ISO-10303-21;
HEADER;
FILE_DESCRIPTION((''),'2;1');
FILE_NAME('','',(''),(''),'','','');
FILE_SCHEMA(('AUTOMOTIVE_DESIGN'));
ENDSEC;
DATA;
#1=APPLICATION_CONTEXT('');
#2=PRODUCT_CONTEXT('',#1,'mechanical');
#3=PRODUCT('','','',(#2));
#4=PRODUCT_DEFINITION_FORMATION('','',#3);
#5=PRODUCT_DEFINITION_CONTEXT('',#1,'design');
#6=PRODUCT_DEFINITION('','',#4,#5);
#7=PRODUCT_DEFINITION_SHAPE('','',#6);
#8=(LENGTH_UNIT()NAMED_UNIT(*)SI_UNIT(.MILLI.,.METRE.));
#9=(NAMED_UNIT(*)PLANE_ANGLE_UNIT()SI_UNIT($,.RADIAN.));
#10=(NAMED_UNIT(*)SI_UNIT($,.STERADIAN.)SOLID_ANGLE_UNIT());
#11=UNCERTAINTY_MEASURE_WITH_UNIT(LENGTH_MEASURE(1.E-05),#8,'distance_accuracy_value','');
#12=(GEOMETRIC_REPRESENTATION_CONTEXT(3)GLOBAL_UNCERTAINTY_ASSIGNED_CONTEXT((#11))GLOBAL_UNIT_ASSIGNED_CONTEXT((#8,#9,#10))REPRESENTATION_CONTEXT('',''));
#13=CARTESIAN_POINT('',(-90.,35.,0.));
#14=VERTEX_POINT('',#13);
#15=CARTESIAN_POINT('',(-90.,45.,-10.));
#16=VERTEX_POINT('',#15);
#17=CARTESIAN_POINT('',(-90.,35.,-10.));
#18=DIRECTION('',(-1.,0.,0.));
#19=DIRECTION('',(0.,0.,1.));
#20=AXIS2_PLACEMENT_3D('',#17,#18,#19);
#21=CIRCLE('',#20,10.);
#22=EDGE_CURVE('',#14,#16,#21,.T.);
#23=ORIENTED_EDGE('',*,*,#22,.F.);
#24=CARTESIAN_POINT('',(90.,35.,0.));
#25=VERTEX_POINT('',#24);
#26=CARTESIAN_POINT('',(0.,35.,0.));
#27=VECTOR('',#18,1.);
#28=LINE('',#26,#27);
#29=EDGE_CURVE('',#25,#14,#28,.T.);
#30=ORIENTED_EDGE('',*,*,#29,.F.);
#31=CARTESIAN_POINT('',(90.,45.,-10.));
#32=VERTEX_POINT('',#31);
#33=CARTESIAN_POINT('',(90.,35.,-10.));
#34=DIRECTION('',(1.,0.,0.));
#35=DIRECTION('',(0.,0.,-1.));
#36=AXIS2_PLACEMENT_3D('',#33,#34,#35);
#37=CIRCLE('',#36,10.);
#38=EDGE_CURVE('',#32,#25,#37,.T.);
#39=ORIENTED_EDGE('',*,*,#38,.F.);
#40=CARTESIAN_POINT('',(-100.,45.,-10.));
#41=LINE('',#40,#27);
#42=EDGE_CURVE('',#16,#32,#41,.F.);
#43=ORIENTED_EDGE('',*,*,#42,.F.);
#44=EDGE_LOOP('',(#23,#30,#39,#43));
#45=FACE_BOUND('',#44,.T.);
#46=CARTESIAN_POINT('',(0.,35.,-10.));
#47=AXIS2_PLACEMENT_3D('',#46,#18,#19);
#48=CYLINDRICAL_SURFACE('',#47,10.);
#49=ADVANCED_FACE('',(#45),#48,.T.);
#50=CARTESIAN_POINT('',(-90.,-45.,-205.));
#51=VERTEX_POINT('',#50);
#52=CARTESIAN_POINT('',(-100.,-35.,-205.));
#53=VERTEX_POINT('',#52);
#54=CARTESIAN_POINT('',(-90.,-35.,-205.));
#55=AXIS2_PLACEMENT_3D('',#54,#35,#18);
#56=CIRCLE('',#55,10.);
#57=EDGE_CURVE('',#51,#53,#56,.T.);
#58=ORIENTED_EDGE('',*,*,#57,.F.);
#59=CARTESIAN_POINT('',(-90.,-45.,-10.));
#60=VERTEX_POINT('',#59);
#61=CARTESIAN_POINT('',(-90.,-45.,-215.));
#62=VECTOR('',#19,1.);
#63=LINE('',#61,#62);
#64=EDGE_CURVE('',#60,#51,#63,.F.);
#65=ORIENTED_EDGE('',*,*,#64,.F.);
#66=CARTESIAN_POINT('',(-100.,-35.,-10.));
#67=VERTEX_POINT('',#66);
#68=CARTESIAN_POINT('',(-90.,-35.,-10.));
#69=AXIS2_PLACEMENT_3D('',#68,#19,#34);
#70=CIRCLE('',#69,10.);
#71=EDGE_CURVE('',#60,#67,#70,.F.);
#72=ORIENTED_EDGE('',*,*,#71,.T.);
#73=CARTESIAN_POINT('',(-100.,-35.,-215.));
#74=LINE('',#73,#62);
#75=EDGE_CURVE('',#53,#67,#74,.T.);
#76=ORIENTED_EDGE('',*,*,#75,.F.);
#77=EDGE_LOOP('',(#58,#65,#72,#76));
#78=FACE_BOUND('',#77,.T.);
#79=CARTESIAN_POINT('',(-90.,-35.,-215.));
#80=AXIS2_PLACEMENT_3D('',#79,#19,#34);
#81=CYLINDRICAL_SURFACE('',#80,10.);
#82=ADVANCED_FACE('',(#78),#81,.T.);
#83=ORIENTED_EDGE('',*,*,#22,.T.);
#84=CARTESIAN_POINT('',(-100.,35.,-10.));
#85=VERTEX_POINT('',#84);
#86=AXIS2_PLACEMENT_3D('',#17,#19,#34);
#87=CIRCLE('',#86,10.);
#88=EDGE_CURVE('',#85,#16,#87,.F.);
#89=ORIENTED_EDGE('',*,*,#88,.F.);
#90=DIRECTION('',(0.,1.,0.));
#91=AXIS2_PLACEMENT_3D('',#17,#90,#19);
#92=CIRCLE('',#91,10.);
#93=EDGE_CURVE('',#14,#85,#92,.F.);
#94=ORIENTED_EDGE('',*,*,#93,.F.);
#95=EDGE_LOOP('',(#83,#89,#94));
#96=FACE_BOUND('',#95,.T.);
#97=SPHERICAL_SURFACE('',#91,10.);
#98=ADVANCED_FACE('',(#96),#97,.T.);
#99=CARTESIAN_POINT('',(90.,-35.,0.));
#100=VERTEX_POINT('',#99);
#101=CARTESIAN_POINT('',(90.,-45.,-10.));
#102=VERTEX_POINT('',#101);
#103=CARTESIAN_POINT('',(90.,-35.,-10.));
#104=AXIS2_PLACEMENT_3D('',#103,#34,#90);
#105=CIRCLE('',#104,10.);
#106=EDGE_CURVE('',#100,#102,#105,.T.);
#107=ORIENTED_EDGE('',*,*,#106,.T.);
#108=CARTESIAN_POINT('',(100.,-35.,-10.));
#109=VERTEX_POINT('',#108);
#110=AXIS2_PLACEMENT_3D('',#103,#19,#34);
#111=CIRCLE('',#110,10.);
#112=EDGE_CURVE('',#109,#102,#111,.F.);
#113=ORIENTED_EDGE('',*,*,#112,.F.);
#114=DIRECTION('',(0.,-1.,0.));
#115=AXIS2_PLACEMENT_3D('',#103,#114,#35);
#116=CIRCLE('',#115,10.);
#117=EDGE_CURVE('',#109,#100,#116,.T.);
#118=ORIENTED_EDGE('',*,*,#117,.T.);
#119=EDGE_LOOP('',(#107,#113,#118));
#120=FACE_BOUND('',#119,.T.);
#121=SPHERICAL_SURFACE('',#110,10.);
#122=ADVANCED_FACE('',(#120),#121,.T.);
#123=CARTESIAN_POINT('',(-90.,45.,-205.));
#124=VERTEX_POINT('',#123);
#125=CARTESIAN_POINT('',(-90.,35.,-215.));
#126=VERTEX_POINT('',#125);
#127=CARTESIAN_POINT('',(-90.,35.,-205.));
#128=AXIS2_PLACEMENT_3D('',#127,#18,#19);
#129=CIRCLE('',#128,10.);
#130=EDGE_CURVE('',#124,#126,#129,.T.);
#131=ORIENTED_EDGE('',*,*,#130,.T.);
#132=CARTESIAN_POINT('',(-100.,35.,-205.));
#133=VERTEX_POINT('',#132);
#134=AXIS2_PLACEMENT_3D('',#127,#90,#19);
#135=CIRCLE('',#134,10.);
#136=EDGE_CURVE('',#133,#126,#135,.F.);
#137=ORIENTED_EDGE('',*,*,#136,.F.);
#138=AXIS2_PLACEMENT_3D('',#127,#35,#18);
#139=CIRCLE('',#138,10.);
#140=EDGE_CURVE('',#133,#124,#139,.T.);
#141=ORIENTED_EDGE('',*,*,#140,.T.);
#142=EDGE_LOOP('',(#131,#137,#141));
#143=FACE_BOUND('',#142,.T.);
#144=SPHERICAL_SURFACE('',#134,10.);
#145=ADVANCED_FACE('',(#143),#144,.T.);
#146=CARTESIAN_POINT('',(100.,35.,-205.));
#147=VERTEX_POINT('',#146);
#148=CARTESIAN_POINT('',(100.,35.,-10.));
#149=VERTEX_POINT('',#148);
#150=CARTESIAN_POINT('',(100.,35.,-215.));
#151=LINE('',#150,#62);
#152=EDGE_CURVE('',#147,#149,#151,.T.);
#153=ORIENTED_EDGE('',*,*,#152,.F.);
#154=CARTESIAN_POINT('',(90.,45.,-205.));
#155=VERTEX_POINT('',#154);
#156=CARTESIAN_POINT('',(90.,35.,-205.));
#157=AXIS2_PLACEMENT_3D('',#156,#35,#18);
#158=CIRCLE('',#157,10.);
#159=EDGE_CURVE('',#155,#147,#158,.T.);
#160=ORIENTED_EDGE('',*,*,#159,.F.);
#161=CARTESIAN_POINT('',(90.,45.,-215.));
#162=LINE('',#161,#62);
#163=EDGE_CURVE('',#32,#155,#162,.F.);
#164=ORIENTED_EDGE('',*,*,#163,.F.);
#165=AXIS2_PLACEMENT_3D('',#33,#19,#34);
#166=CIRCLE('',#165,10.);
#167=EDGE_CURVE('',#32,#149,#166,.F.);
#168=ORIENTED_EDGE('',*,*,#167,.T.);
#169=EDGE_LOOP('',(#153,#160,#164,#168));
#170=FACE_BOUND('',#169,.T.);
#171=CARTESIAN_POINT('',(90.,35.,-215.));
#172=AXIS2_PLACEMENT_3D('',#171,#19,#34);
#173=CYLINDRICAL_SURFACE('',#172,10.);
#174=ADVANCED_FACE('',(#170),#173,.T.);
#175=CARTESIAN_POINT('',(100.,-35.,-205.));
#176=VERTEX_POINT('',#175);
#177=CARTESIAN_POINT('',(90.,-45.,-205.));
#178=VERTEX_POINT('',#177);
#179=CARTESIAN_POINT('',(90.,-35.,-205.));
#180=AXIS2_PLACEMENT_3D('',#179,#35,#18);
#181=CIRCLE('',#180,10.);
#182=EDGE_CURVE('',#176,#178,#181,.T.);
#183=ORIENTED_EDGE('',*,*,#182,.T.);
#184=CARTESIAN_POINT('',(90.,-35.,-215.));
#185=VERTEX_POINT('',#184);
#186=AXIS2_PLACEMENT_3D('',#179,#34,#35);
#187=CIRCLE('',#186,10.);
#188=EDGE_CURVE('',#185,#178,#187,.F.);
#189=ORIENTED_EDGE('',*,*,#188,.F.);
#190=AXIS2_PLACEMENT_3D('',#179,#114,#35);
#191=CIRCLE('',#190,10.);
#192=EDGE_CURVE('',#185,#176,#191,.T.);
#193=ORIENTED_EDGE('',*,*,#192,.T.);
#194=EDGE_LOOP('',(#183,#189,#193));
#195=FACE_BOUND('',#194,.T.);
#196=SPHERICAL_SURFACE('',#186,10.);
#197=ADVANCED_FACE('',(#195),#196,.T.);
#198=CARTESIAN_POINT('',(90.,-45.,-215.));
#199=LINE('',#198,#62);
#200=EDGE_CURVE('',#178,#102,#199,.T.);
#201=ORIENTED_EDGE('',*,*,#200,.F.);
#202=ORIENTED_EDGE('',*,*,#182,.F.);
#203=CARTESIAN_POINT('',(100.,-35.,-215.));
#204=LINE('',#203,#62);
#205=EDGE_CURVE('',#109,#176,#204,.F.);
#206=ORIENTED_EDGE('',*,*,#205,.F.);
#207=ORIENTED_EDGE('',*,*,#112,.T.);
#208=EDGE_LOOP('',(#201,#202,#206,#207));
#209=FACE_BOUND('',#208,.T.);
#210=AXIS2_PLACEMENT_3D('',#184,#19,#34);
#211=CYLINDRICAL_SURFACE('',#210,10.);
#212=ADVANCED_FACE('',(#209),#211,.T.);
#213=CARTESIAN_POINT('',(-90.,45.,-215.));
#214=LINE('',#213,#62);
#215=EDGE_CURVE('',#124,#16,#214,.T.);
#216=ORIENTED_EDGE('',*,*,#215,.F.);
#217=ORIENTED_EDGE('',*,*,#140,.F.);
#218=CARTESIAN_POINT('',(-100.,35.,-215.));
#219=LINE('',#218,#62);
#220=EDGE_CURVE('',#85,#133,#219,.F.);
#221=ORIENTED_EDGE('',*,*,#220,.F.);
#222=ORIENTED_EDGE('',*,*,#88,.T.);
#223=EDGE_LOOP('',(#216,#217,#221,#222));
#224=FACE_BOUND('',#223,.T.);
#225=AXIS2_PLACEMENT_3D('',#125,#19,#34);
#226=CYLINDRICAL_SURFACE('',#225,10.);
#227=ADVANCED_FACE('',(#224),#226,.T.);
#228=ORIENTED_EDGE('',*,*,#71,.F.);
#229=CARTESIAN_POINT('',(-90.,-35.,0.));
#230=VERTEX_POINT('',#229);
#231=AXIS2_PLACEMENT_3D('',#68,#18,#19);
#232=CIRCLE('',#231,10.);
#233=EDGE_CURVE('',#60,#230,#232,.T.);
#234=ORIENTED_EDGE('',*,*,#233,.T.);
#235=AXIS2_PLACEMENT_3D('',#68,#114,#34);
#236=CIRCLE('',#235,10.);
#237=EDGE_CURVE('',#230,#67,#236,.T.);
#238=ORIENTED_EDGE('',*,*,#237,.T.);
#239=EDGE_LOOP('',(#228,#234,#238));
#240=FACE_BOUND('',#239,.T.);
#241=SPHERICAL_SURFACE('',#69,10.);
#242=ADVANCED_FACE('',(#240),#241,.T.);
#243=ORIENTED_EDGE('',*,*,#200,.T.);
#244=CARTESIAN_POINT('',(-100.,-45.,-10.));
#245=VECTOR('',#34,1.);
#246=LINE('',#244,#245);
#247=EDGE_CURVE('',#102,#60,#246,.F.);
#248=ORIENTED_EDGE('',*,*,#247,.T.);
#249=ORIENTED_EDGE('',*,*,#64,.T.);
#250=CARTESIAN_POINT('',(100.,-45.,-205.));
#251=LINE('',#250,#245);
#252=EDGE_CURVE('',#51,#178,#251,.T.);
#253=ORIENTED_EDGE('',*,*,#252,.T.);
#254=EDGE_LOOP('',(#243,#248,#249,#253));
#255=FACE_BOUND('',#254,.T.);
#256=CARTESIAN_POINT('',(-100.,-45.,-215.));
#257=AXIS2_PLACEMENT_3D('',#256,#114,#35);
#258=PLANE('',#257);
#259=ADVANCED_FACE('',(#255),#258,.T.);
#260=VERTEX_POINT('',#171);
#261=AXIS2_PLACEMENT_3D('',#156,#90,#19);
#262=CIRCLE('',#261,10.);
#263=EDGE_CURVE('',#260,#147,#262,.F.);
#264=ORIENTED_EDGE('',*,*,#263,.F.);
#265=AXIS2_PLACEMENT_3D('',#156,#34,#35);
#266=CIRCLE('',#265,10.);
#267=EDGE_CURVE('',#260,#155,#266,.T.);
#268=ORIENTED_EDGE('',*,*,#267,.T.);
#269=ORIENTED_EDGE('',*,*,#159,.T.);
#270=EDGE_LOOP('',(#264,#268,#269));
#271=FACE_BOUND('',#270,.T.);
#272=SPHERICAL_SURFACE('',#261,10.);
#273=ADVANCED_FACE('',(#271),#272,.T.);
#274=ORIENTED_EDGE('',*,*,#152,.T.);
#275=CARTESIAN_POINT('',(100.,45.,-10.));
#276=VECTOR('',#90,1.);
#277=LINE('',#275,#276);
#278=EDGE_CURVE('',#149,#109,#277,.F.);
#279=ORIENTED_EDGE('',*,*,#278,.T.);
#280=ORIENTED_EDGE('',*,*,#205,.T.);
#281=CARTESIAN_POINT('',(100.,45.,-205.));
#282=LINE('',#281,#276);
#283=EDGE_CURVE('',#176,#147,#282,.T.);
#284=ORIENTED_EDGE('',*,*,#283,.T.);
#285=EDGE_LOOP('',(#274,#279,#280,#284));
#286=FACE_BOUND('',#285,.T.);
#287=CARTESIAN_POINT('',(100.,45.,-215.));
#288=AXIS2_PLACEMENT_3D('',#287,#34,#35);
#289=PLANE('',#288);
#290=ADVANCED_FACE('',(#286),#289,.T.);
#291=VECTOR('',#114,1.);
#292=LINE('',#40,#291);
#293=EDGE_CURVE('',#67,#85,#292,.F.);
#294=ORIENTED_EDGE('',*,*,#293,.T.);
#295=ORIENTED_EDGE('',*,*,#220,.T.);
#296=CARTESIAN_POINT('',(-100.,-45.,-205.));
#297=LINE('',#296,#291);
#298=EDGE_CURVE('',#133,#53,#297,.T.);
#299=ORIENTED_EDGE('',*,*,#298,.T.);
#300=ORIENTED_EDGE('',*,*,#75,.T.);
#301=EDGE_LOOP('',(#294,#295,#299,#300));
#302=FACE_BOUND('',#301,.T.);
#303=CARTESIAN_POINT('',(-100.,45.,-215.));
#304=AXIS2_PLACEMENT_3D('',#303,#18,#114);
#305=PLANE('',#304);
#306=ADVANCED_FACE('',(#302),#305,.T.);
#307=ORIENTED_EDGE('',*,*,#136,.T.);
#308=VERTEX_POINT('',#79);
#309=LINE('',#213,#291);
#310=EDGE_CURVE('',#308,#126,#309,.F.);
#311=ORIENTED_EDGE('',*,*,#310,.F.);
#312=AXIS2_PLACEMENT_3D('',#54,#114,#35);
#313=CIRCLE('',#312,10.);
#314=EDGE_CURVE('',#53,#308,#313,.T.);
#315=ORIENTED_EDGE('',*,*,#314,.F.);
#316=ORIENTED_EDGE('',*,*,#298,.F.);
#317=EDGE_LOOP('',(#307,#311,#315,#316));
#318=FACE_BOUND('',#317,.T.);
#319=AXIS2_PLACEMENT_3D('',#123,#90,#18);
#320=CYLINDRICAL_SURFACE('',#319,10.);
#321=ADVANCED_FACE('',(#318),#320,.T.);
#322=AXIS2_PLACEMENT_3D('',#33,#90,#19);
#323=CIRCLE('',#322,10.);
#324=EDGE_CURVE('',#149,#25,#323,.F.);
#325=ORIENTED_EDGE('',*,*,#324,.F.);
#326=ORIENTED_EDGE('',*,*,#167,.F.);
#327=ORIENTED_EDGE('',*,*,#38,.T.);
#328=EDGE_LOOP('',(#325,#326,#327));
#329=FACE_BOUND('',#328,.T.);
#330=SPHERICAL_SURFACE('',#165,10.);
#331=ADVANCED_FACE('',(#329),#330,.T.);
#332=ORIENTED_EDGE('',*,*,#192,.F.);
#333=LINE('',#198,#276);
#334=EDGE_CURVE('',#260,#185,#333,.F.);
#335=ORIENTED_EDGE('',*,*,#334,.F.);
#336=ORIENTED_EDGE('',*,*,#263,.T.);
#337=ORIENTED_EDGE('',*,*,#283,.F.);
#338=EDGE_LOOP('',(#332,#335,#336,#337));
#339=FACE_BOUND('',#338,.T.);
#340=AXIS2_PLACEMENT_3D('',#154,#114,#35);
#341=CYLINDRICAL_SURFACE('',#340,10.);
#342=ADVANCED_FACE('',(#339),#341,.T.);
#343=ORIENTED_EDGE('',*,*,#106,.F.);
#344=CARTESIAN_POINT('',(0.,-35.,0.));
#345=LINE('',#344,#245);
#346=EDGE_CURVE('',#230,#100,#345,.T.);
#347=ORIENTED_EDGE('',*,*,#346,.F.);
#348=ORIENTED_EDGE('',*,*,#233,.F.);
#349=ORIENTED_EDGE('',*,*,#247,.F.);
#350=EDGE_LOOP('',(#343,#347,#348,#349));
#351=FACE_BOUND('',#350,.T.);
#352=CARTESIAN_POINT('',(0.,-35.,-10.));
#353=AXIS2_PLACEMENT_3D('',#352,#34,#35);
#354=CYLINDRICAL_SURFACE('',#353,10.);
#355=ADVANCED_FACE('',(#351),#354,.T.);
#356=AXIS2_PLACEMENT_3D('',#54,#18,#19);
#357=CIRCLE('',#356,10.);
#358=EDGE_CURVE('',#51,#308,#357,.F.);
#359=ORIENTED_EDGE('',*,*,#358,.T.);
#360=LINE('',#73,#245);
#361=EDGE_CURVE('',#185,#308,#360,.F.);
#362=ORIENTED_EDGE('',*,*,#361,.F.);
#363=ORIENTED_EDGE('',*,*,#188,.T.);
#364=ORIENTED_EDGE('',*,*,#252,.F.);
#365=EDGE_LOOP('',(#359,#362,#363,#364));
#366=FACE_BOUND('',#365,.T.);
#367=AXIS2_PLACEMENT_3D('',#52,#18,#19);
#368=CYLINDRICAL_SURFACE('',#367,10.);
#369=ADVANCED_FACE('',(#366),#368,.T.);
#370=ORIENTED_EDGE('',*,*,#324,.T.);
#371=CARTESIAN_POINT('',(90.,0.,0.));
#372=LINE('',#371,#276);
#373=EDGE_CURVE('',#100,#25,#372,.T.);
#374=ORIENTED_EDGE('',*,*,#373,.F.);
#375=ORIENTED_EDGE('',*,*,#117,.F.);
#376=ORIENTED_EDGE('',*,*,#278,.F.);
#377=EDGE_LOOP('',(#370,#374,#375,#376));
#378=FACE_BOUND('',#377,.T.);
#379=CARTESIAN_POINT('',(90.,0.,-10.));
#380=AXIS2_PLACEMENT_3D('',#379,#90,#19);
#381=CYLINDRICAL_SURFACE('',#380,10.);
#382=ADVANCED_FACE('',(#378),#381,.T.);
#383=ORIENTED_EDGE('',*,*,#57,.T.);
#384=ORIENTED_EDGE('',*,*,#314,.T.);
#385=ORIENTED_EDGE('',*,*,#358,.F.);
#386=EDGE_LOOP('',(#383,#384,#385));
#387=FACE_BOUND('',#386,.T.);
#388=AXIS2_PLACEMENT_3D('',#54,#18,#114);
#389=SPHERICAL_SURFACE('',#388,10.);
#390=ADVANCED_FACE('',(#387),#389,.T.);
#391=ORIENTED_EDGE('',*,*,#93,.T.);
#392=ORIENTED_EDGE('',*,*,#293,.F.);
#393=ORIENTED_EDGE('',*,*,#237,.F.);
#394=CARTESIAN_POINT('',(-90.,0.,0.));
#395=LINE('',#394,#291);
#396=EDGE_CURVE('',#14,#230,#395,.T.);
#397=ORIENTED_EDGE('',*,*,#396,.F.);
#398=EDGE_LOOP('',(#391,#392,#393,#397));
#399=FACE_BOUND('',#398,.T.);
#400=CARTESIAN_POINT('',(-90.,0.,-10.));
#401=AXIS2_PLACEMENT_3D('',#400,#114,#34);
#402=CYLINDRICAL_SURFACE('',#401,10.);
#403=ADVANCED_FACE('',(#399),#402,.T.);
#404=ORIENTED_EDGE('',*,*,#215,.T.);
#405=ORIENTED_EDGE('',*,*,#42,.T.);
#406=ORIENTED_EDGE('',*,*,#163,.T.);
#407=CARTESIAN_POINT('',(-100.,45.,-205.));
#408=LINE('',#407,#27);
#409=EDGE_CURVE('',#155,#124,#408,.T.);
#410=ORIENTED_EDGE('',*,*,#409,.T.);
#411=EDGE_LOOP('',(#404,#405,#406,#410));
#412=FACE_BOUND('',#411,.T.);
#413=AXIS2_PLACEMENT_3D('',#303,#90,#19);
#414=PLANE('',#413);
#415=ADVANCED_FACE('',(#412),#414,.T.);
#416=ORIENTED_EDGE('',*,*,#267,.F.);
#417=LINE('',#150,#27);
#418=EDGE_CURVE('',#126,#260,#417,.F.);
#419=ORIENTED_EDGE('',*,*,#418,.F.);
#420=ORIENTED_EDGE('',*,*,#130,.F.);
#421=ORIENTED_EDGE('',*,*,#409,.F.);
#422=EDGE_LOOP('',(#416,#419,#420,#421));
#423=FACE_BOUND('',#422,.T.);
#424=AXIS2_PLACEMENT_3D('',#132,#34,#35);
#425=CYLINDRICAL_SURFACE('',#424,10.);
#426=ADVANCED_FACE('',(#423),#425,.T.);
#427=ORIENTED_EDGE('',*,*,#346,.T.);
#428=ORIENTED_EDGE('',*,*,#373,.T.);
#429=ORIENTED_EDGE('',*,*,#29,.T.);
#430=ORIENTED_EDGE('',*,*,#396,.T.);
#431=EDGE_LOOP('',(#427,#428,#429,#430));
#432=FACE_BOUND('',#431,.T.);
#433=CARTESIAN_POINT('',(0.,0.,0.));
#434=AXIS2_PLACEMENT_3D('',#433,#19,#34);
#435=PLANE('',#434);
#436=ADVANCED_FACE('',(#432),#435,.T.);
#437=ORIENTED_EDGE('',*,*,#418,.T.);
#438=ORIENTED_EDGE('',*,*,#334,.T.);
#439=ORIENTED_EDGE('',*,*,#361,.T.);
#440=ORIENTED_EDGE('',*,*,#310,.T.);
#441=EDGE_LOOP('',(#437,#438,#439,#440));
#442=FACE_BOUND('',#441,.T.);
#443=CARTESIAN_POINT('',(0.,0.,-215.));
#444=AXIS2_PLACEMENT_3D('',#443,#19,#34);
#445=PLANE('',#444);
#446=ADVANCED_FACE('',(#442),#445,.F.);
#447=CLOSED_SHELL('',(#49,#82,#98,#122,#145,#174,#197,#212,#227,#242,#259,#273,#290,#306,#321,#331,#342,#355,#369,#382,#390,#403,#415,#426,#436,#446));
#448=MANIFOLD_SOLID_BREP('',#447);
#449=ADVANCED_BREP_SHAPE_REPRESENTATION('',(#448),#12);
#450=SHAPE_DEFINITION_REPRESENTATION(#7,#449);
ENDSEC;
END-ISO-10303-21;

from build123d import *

# Parameters (mm, degrees)
ESQUISSE1_W        = 200
ESQUISSE1_H        = 90
BOSS_EXTRU_1_DEPTH = 215
CONG_1_R           = 10


with BuildPart() as part:
    # Esquisse1 → Boss.-Extru.1 (new body)
    with BuildSketch(Plane.XY):
        Rectangle(ESQUISSE1_W, ESQUISSE1_H)
    extrude(amount=-BOSS_EXTRU_1_DEPTH)

    # Congé1
    cong_1_edges = [part.edges().sort_by_distance(p)[0] for p in [
        (-100, 0, -215),
        (0, -45, -215),
        (100, 0, -215),
        (0, -45, 0),
        (-100, 0, 0),
        (0, 45, 0),
        (100, 0, 0),
        (100, -45, -107.5),
        (-100, -45, -107.5),
        (-100, 45, -107.5),
        (100, 45, -107.5),
        (0, 45, -215),
    ]]
    fillet(cong_1_edges, radius=CONG_1_R)


solid = part.part
